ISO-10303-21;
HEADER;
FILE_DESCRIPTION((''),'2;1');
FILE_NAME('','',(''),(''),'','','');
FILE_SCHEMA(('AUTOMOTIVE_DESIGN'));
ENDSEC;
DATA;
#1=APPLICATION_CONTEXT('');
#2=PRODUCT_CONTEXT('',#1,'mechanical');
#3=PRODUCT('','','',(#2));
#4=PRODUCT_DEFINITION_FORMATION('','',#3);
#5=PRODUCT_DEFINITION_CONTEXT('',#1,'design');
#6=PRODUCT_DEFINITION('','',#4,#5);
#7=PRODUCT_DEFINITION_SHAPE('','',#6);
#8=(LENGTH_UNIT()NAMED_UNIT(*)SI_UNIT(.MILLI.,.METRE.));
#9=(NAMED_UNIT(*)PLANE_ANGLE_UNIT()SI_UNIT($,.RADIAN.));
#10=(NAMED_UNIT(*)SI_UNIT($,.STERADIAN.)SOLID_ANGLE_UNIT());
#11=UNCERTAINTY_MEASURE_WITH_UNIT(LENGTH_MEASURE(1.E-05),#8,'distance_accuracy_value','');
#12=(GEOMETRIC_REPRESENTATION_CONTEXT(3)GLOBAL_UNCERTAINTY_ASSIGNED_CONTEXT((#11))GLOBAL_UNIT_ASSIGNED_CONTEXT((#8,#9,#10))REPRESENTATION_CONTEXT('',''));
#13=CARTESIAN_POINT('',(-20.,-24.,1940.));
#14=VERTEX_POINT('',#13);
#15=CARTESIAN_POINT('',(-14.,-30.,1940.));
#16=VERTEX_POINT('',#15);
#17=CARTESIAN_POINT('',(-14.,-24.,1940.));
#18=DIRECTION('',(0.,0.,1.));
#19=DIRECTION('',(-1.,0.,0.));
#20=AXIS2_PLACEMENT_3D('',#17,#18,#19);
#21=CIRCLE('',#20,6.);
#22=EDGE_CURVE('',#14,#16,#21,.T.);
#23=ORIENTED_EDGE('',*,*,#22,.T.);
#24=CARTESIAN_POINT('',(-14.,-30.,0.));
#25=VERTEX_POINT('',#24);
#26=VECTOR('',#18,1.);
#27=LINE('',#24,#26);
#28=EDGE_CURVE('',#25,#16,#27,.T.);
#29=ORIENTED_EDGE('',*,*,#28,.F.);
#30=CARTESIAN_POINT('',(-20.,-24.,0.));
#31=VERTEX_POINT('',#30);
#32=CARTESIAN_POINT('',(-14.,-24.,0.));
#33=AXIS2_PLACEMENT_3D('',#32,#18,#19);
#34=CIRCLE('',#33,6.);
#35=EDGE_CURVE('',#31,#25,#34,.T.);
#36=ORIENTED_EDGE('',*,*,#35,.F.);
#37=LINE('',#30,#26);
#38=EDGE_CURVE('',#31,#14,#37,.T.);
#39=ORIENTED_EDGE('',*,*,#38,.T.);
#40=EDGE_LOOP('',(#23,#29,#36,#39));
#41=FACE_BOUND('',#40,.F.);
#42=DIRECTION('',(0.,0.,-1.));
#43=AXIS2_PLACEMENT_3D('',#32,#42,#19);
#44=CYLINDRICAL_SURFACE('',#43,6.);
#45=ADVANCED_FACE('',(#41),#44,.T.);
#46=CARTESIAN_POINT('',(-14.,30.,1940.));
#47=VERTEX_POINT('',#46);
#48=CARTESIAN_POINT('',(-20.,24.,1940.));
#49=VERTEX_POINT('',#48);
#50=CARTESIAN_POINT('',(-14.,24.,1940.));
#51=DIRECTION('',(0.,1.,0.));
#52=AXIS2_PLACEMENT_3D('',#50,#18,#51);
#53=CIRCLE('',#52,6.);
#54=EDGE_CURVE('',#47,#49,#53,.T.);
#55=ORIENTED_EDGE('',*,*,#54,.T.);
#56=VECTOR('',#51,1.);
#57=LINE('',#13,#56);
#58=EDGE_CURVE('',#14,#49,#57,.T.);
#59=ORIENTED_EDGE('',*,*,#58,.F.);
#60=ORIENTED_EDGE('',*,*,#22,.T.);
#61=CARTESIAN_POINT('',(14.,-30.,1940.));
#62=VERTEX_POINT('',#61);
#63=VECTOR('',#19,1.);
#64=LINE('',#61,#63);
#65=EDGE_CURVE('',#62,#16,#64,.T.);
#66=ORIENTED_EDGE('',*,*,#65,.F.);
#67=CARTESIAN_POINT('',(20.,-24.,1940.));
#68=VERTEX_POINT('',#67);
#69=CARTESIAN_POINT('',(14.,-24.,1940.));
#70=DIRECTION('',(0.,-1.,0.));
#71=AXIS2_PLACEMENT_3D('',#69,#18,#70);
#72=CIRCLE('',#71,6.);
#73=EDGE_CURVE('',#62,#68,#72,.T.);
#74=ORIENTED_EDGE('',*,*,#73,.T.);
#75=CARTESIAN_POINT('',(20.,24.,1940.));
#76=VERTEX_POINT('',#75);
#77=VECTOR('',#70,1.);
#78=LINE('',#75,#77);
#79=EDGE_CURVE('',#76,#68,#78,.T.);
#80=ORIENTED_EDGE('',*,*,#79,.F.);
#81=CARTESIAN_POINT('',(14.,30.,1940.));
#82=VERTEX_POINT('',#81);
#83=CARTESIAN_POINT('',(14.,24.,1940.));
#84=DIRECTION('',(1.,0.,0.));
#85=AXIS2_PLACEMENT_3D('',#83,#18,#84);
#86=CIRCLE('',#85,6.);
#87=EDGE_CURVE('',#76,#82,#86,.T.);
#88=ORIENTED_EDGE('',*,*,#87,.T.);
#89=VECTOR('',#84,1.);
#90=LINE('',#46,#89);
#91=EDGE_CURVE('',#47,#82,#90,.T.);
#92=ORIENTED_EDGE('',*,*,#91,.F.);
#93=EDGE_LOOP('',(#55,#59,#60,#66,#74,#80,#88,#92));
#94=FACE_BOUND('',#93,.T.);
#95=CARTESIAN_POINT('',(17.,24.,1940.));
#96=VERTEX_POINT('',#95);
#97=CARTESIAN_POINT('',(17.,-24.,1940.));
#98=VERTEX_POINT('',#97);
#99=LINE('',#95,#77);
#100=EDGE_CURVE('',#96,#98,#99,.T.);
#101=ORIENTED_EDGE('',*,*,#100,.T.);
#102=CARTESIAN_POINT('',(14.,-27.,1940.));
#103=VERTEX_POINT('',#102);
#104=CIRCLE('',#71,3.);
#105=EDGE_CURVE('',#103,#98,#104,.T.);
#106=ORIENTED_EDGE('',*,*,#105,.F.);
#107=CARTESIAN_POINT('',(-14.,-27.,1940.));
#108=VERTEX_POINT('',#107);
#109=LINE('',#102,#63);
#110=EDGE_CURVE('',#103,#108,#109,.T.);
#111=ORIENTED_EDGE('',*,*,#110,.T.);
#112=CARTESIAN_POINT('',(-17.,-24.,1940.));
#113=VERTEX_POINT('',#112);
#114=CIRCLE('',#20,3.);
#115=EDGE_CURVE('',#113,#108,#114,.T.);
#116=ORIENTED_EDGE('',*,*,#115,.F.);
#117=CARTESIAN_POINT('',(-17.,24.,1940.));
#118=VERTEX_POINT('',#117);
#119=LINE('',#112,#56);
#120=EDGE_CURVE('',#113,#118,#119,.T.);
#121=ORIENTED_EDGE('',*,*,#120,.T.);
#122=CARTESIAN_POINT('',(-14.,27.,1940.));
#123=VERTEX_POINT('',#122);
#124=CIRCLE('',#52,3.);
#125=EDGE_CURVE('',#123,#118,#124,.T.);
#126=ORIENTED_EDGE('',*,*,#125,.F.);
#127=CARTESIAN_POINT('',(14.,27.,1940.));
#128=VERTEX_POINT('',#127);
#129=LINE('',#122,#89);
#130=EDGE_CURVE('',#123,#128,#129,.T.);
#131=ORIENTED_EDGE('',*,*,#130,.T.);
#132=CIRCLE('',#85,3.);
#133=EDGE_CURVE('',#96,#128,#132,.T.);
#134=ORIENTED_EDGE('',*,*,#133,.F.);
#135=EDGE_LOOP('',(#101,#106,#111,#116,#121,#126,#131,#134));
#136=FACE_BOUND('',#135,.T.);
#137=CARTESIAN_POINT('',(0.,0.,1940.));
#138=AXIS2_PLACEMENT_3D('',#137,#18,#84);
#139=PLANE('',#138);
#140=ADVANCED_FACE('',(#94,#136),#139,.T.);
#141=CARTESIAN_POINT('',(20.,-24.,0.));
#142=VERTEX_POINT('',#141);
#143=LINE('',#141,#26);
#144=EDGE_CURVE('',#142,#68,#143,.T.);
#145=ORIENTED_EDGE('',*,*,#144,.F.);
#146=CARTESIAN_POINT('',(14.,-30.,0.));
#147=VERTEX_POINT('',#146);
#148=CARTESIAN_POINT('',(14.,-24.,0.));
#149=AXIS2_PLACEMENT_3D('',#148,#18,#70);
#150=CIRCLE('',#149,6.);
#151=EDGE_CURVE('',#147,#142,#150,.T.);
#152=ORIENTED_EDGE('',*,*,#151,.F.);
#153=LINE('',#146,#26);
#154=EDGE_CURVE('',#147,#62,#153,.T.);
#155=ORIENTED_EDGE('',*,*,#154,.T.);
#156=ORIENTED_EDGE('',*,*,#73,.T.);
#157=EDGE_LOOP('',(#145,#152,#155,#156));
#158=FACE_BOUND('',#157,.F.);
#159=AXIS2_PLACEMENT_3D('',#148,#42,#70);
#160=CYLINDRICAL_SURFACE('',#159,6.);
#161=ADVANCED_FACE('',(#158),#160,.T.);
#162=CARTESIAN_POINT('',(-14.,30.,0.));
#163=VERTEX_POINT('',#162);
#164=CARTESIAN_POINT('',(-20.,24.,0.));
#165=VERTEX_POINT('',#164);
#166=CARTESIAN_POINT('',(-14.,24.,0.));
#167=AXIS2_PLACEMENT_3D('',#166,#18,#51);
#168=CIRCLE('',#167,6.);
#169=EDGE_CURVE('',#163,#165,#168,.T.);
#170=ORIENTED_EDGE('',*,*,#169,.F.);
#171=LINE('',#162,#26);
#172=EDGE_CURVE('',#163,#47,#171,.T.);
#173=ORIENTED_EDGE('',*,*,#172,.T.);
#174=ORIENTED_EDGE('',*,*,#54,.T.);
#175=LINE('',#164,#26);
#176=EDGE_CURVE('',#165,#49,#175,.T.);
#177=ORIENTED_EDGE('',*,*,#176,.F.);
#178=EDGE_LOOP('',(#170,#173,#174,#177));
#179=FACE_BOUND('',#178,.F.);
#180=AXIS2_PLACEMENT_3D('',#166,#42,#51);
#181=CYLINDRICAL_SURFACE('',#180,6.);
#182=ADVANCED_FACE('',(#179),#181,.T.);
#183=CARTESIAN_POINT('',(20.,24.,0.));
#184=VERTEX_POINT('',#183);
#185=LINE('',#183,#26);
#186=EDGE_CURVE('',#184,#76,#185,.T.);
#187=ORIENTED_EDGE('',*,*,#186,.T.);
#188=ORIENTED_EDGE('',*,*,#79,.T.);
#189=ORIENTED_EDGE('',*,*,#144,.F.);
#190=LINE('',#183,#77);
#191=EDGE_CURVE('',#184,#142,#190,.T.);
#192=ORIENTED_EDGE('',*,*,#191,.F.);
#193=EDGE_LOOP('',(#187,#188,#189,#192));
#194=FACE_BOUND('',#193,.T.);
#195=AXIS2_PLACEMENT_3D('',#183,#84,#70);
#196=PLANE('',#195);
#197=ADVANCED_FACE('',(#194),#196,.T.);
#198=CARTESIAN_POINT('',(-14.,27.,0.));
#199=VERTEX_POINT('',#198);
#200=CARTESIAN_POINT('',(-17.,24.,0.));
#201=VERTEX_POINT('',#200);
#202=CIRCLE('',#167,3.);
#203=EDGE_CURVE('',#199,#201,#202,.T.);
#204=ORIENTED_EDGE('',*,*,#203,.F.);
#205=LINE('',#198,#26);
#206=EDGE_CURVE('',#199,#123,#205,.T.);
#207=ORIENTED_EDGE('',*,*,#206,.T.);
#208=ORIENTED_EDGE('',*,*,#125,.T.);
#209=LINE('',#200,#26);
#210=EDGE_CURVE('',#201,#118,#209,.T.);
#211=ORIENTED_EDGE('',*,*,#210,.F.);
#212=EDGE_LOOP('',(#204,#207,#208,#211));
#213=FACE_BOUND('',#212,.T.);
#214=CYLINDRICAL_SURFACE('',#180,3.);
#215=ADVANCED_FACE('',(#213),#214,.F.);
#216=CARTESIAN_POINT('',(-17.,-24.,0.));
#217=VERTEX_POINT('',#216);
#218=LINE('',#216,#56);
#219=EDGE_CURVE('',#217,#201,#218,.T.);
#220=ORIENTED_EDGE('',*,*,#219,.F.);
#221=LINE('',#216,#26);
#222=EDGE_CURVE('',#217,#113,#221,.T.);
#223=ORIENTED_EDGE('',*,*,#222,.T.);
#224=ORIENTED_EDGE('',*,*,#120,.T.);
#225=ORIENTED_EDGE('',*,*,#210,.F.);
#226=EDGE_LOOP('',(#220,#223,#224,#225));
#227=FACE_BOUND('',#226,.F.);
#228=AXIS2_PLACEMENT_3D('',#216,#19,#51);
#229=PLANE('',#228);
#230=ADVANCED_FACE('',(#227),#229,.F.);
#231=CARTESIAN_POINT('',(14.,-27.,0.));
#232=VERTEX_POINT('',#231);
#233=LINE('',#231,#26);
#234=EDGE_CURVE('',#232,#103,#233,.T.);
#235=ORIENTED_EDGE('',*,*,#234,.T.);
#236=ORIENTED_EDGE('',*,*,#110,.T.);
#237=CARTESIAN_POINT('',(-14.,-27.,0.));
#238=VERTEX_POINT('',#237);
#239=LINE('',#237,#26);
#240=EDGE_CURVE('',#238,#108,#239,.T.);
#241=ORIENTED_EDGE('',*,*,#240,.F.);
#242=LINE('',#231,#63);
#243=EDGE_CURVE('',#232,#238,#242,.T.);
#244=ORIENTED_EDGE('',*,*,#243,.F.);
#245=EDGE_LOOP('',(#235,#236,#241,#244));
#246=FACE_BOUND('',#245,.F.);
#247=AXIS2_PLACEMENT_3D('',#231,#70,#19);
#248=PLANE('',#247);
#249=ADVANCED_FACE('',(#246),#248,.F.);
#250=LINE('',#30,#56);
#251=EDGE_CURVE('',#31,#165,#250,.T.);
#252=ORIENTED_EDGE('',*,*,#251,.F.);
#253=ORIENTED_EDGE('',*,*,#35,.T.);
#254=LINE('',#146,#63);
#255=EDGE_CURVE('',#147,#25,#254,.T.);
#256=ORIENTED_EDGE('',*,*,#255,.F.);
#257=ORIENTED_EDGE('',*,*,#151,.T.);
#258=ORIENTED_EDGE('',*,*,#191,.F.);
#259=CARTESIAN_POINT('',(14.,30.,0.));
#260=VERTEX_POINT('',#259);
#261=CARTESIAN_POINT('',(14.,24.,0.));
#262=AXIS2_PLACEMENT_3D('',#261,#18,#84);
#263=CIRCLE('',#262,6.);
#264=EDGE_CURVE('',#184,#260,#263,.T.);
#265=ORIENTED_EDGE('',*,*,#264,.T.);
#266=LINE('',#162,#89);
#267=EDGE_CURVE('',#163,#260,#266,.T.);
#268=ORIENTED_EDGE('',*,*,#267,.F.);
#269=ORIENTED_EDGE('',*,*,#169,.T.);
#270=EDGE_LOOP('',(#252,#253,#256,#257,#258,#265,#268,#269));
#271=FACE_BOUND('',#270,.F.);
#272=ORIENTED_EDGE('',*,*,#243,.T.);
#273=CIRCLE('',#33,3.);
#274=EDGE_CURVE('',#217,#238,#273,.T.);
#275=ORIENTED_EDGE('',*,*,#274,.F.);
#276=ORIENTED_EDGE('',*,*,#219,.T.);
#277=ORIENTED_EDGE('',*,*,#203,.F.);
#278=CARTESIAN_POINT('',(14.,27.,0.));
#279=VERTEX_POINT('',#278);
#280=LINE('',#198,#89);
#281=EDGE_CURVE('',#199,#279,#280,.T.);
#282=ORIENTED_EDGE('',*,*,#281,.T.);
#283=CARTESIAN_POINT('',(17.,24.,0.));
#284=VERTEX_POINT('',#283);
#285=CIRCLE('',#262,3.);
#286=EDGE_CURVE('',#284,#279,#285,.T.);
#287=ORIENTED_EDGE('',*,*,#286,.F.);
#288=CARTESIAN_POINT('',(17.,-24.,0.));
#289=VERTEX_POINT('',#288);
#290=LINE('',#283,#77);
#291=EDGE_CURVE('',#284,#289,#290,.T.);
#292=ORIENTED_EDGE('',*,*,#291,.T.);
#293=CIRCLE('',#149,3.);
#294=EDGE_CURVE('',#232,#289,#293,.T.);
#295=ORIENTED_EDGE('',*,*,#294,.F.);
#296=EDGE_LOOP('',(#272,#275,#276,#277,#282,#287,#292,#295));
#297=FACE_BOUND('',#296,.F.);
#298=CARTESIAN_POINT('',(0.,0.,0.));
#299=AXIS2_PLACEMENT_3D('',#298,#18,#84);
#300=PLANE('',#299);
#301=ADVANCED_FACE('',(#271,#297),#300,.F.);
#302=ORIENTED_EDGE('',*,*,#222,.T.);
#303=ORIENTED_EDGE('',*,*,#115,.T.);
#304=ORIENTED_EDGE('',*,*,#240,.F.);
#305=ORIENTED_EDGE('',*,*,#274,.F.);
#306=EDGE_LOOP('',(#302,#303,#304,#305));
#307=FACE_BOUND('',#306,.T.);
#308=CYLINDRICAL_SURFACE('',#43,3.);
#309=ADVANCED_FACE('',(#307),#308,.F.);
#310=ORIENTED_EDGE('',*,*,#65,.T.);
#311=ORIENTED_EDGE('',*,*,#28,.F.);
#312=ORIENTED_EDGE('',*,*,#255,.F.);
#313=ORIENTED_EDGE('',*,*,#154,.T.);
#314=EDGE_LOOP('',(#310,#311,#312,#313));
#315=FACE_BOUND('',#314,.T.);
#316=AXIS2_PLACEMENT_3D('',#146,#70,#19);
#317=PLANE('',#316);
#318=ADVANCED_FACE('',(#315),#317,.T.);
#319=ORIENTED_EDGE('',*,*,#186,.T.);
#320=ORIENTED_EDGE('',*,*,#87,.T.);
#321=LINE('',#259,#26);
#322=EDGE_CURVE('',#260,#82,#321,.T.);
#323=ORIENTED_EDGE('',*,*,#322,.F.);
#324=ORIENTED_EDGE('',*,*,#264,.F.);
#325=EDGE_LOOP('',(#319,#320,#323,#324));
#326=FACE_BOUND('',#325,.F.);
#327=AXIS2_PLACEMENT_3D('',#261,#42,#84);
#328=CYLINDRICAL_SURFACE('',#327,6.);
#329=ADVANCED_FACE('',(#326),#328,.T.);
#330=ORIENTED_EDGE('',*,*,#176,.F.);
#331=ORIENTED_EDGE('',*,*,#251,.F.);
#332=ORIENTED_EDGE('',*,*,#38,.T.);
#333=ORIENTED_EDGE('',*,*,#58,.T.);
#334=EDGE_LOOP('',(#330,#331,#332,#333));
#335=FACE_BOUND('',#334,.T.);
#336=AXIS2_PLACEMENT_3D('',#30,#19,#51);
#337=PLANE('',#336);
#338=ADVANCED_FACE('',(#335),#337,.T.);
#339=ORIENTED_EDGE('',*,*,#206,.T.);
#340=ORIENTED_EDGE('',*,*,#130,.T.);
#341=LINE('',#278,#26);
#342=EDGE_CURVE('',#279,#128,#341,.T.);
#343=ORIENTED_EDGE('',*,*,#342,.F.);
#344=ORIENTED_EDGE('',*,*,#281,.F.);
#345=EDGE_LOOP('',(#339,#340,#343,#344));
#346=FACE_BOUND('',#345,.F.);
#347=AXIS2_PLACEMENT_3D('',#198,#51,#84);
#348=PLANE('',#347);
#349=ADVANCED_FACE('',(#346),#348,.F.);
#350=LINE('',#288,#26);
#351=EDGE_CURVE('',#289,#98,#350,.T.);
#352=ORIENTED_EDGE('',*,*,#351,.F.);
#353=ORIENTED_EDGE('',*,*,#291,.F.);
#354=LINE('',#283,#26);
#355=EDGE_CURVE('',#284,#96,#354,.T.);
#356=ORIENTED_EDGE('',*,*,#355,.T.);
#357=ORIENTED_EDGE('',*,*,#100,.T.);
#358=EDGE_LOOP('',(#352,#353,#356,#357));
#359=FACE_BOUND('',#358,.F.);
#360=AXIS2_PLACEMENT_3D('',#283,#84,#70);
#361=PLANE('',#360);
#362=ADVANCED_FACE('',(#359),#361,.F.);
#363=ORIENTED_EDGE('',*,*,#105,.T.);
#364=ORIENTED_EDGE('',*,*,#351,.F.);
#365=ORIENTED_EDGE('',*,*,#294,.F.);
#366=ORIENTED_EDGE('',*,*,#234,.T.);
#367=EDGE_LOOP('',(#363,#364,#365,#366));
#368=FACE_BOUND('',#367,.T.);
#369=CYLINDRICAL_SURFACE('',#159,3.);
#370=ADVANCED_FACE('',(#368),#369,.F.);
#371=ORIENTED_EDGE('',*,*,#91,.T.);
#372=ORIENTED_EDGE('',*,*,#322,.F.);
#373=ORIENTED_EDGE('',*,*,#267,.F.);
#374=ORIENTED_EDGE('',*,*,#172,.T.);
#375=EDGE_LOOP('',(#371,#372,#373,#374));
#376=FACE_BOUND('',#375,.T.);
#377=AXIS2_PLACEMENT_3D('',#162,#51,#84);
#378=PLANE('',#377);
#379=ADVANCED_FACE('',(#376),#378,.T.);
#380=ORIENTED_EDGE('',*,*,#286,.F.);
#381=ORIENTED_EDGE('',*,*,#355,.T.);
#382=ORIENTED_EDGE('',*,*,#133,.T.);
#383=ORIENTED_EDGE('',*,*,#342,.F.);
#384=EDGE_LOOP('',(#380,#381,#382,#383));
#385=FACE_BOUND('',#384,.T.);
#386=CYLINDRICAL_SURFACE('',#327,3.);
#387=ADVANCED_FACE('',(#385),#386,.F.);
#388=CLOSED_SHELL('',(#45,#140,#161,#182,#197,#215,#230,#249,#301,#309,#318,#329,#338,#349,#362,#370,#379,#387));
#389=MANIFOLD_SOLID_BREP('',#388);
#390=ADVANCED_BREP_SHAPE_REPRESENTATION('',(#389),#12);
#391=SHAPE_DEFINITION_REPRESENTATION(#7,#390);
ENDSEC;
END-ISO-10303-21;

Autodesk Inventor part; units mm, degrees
ref_plane "YZ Plane" through (0, 0, 0) normal (1, 0, 0) x (0, 1, 0)
ref_plane "Start Plane" through (0, 0, 0) normal (0, 0, 1) x (1, 0, 0)
ref_plane "End Plane" through (0, 0, 1940) normal (0, 0, 1) x (1, 0, 0)
sketch "Sketch" plane through (0, 0, 0) normal (0, 0, 1) x (1, 0, 0)
  line L0 (-20, -24) -> (-20, 24)
  line L1 (-14, 30) -> (14, 30)
  line L2 (20, 24) -> (20, -24)
  line L3 (14, -30) -> (-14, -30)
  arc A0 (-20, -24) -> (-14, -30) centre (-14, -24) ccw
  arc A1 (20, 24) -> (14, 30) centre (14, 24) ccw
  arc A2 (-14, 30) -> (-20, 24) centre (-14, 24) ccw
  arc A3 (14, -30) -> (20, -24) centre (14, -24) ccw
  arc A4 (-14, 27) -> (-17, 24) centre (-14, 24) ccw
  line L4 (-14, 27) -> (14, 27)
  arc A5 (17, 24) -> (14, 27) centre (14, 24) ccw
  line L5 (17, 24) -> (17, -24)
  arc A6 (14, -27) -> (17, -24) centre (14, -24) ccw
  line L6 (14, -27) -> (-14, -27)
  arc A7 (-17, -24) -> (-14, -27) centre (-14, -24) ccw
  line L7 (-17, -24) -> (-17, 24)
  line L8 (0, 43.7397) -> (0, -43.7397) construction
  line L9 (-29.7397, 0) -> (29.7397, 0) construction
  dimension "d7" = 6
  dimension "d9" = 40
  dimension "d11" = 60
  dimension "d12" = 3
  dimension "d15" = 20
  dimension "d16" = 30
extrude "Body" add sketch "Sketch" along normal up to surface (1940 mm away) from surface at 0
sketch "Sketch3" plane through (0, 0, 0) normal (0, 0, 1) x (1, 0, 0)
  line L0 (0, 0) -> (10, 0)
ref_plane "Work Plane3" through (0, 0, 0) normal (0, -1, 0) x (1, 0, 0)
sketch "Sketch4" plane through (0, 0, 0) normal (0, -1, 0) x (1, 0, 0)
  line L0 (-2, 0) -> (12, 0) projected
  line L1 (-2, 1940) -> (12, 1940) projected
  dimension "d18" = 1940
equation "\"d7\" = G_IR"
equation "\"d9\" = G_W"
equation "\"d11\" = G_H"
equation "\"d12\" = G_T"
equation "\"d15\" = 0.5 * d9"
equation "\"d16\" = 0.5 * d11"
equation "\"d3\" = G_L"
equation "\"G_W\" = 40"
equation "\"G_H\" = 60"
equation "\"G_T\" = 3"
equation "\"G_IR\" = 6"
equation "\"G_L\" = d18"
equation "\"G_OFFSET_START\" = 0"
equation "\"G_OFFSET_END\" = 0"
properties part number "ISO 4019 - 60x40x3 - 1940" material "Steel, Mild"
